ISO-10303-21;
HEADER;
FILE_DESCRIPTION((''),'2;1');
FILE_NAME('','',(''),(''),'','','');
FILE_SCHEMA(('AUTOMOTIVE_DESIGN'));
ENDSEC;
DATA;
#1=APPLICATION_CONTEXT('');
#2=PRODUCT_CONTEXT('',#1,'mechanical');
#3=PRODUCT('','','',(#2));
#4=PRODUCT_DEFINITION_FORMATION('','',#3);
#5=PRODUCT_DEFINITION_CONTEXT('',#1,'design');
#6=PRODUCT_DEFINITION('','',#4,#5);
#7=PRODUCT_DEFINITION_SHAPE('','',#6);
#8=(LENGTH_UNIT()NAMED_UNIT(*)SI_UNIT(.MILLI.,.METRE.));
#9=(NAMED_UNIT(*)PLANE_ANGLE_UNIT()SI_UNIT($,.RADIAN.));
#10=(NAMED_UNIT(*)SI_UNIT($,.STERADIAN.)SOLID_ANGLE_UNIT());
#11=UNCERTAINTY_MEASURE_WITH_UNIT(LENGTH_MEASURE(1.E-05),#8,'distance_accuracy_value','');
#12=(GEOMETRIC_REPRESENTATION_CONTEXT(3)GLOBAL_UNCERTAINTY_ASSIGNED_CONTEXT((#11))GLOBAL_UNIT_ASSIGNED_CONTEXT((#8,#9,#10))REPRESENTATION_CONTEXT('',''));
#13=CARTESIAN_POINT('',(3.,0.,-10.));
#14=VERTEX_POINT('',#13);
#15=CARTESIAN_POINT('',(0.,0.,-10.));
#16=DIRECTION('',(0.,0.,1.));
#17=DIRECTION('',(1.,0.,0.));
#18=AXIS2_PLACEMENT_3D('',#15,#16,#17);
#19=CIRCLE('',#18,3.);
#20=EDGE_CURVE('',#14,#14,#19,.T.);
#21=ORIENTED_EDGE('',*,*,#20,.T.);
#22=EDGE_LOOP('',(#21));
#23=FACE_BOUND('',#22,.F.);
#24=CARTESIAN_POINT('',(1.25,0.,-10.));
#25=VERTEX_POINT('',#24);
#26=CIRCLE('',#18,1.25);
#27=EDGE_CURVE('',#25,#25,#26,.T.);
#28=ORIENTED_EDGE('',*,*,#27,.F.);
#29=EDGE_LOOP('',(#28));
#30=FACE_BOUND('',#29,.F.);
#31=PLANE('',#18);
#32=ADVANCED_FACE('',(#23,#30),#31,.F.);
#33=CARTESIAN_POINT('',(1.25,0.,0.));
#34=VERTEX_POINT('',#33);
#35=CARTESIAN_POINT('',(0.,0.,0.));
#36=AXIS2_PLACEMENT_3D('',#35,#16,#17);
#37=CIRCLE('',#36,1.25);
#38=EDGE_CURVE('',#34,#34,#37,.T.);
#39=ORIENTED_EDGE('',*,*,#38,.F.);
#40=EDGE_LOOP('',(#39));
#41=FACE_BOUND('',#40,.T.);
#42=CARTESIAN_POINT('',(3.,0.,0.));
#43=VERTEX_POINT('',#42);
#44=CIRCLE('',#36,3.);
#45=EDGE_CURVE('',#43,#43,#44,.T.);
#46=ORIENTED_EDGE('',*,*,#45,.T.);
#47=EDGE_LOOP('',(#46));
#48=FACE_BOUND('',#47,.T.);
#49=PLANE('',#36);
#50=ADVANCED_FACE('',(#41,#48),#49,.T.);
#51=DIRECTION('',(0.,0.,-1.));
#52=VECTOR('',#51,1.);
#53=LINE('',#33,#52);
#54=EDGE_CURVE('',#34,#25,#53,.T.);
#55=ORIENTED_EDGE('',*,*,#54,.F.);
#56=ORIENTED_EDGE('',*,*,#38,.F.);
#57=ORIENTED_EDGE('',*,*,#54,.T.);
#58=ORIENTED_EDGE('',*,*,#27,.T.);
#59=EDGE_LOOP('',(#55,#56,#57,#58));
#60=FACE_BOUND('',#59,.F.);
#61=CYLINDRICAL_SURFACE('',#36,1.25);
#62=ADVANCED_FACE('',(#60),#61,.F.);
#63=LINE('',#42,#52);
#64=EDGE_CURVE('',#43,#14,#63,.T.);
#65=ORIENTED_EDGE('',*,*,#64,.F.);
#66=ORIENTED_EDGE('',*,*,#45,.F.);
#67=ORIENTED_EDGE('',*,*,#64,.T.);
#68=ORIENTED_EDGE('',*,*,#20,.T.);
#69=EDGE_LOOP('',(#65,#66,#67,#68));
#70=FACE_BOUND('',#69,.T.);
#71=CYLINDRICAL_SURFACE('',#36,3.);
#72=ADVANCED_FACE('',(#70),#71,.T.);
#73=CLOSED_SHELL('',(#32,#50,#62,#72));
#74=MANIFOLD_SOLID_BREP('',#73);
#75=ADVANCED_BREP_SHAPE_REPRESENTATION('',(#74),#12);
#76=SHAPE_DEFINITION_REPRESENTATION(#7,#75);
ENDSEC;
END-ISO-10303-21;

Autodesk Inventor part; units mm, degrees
ref_plane "YZ Plane" through (0, 0, 0) normal (1, 0, 0) x (0, 1, 0)
ref_plane "XZ Plane" through (0, 0, 0) normal (0, 1, 0) x (-1, 0, 0)
ref_plane "XY Plane" through (0, 0, 0) normal (0, 0, 1) x (1, 0, 0)
sketch "Sketch1" plane through (0, 0, 0) normal (0, 0, 1) x (1, 0, 0)
  circle A0 centre (0, 0) radius 1.25
  circle A1 centre (0, 0) radius 3
  dimension "d0" = 2.5
  dimension "d1" = 6
extrude "Extrusion1" add sketch "Sketch1" against normal blind 10
properties part number "l40" material "Aluminum 2014-T4"
